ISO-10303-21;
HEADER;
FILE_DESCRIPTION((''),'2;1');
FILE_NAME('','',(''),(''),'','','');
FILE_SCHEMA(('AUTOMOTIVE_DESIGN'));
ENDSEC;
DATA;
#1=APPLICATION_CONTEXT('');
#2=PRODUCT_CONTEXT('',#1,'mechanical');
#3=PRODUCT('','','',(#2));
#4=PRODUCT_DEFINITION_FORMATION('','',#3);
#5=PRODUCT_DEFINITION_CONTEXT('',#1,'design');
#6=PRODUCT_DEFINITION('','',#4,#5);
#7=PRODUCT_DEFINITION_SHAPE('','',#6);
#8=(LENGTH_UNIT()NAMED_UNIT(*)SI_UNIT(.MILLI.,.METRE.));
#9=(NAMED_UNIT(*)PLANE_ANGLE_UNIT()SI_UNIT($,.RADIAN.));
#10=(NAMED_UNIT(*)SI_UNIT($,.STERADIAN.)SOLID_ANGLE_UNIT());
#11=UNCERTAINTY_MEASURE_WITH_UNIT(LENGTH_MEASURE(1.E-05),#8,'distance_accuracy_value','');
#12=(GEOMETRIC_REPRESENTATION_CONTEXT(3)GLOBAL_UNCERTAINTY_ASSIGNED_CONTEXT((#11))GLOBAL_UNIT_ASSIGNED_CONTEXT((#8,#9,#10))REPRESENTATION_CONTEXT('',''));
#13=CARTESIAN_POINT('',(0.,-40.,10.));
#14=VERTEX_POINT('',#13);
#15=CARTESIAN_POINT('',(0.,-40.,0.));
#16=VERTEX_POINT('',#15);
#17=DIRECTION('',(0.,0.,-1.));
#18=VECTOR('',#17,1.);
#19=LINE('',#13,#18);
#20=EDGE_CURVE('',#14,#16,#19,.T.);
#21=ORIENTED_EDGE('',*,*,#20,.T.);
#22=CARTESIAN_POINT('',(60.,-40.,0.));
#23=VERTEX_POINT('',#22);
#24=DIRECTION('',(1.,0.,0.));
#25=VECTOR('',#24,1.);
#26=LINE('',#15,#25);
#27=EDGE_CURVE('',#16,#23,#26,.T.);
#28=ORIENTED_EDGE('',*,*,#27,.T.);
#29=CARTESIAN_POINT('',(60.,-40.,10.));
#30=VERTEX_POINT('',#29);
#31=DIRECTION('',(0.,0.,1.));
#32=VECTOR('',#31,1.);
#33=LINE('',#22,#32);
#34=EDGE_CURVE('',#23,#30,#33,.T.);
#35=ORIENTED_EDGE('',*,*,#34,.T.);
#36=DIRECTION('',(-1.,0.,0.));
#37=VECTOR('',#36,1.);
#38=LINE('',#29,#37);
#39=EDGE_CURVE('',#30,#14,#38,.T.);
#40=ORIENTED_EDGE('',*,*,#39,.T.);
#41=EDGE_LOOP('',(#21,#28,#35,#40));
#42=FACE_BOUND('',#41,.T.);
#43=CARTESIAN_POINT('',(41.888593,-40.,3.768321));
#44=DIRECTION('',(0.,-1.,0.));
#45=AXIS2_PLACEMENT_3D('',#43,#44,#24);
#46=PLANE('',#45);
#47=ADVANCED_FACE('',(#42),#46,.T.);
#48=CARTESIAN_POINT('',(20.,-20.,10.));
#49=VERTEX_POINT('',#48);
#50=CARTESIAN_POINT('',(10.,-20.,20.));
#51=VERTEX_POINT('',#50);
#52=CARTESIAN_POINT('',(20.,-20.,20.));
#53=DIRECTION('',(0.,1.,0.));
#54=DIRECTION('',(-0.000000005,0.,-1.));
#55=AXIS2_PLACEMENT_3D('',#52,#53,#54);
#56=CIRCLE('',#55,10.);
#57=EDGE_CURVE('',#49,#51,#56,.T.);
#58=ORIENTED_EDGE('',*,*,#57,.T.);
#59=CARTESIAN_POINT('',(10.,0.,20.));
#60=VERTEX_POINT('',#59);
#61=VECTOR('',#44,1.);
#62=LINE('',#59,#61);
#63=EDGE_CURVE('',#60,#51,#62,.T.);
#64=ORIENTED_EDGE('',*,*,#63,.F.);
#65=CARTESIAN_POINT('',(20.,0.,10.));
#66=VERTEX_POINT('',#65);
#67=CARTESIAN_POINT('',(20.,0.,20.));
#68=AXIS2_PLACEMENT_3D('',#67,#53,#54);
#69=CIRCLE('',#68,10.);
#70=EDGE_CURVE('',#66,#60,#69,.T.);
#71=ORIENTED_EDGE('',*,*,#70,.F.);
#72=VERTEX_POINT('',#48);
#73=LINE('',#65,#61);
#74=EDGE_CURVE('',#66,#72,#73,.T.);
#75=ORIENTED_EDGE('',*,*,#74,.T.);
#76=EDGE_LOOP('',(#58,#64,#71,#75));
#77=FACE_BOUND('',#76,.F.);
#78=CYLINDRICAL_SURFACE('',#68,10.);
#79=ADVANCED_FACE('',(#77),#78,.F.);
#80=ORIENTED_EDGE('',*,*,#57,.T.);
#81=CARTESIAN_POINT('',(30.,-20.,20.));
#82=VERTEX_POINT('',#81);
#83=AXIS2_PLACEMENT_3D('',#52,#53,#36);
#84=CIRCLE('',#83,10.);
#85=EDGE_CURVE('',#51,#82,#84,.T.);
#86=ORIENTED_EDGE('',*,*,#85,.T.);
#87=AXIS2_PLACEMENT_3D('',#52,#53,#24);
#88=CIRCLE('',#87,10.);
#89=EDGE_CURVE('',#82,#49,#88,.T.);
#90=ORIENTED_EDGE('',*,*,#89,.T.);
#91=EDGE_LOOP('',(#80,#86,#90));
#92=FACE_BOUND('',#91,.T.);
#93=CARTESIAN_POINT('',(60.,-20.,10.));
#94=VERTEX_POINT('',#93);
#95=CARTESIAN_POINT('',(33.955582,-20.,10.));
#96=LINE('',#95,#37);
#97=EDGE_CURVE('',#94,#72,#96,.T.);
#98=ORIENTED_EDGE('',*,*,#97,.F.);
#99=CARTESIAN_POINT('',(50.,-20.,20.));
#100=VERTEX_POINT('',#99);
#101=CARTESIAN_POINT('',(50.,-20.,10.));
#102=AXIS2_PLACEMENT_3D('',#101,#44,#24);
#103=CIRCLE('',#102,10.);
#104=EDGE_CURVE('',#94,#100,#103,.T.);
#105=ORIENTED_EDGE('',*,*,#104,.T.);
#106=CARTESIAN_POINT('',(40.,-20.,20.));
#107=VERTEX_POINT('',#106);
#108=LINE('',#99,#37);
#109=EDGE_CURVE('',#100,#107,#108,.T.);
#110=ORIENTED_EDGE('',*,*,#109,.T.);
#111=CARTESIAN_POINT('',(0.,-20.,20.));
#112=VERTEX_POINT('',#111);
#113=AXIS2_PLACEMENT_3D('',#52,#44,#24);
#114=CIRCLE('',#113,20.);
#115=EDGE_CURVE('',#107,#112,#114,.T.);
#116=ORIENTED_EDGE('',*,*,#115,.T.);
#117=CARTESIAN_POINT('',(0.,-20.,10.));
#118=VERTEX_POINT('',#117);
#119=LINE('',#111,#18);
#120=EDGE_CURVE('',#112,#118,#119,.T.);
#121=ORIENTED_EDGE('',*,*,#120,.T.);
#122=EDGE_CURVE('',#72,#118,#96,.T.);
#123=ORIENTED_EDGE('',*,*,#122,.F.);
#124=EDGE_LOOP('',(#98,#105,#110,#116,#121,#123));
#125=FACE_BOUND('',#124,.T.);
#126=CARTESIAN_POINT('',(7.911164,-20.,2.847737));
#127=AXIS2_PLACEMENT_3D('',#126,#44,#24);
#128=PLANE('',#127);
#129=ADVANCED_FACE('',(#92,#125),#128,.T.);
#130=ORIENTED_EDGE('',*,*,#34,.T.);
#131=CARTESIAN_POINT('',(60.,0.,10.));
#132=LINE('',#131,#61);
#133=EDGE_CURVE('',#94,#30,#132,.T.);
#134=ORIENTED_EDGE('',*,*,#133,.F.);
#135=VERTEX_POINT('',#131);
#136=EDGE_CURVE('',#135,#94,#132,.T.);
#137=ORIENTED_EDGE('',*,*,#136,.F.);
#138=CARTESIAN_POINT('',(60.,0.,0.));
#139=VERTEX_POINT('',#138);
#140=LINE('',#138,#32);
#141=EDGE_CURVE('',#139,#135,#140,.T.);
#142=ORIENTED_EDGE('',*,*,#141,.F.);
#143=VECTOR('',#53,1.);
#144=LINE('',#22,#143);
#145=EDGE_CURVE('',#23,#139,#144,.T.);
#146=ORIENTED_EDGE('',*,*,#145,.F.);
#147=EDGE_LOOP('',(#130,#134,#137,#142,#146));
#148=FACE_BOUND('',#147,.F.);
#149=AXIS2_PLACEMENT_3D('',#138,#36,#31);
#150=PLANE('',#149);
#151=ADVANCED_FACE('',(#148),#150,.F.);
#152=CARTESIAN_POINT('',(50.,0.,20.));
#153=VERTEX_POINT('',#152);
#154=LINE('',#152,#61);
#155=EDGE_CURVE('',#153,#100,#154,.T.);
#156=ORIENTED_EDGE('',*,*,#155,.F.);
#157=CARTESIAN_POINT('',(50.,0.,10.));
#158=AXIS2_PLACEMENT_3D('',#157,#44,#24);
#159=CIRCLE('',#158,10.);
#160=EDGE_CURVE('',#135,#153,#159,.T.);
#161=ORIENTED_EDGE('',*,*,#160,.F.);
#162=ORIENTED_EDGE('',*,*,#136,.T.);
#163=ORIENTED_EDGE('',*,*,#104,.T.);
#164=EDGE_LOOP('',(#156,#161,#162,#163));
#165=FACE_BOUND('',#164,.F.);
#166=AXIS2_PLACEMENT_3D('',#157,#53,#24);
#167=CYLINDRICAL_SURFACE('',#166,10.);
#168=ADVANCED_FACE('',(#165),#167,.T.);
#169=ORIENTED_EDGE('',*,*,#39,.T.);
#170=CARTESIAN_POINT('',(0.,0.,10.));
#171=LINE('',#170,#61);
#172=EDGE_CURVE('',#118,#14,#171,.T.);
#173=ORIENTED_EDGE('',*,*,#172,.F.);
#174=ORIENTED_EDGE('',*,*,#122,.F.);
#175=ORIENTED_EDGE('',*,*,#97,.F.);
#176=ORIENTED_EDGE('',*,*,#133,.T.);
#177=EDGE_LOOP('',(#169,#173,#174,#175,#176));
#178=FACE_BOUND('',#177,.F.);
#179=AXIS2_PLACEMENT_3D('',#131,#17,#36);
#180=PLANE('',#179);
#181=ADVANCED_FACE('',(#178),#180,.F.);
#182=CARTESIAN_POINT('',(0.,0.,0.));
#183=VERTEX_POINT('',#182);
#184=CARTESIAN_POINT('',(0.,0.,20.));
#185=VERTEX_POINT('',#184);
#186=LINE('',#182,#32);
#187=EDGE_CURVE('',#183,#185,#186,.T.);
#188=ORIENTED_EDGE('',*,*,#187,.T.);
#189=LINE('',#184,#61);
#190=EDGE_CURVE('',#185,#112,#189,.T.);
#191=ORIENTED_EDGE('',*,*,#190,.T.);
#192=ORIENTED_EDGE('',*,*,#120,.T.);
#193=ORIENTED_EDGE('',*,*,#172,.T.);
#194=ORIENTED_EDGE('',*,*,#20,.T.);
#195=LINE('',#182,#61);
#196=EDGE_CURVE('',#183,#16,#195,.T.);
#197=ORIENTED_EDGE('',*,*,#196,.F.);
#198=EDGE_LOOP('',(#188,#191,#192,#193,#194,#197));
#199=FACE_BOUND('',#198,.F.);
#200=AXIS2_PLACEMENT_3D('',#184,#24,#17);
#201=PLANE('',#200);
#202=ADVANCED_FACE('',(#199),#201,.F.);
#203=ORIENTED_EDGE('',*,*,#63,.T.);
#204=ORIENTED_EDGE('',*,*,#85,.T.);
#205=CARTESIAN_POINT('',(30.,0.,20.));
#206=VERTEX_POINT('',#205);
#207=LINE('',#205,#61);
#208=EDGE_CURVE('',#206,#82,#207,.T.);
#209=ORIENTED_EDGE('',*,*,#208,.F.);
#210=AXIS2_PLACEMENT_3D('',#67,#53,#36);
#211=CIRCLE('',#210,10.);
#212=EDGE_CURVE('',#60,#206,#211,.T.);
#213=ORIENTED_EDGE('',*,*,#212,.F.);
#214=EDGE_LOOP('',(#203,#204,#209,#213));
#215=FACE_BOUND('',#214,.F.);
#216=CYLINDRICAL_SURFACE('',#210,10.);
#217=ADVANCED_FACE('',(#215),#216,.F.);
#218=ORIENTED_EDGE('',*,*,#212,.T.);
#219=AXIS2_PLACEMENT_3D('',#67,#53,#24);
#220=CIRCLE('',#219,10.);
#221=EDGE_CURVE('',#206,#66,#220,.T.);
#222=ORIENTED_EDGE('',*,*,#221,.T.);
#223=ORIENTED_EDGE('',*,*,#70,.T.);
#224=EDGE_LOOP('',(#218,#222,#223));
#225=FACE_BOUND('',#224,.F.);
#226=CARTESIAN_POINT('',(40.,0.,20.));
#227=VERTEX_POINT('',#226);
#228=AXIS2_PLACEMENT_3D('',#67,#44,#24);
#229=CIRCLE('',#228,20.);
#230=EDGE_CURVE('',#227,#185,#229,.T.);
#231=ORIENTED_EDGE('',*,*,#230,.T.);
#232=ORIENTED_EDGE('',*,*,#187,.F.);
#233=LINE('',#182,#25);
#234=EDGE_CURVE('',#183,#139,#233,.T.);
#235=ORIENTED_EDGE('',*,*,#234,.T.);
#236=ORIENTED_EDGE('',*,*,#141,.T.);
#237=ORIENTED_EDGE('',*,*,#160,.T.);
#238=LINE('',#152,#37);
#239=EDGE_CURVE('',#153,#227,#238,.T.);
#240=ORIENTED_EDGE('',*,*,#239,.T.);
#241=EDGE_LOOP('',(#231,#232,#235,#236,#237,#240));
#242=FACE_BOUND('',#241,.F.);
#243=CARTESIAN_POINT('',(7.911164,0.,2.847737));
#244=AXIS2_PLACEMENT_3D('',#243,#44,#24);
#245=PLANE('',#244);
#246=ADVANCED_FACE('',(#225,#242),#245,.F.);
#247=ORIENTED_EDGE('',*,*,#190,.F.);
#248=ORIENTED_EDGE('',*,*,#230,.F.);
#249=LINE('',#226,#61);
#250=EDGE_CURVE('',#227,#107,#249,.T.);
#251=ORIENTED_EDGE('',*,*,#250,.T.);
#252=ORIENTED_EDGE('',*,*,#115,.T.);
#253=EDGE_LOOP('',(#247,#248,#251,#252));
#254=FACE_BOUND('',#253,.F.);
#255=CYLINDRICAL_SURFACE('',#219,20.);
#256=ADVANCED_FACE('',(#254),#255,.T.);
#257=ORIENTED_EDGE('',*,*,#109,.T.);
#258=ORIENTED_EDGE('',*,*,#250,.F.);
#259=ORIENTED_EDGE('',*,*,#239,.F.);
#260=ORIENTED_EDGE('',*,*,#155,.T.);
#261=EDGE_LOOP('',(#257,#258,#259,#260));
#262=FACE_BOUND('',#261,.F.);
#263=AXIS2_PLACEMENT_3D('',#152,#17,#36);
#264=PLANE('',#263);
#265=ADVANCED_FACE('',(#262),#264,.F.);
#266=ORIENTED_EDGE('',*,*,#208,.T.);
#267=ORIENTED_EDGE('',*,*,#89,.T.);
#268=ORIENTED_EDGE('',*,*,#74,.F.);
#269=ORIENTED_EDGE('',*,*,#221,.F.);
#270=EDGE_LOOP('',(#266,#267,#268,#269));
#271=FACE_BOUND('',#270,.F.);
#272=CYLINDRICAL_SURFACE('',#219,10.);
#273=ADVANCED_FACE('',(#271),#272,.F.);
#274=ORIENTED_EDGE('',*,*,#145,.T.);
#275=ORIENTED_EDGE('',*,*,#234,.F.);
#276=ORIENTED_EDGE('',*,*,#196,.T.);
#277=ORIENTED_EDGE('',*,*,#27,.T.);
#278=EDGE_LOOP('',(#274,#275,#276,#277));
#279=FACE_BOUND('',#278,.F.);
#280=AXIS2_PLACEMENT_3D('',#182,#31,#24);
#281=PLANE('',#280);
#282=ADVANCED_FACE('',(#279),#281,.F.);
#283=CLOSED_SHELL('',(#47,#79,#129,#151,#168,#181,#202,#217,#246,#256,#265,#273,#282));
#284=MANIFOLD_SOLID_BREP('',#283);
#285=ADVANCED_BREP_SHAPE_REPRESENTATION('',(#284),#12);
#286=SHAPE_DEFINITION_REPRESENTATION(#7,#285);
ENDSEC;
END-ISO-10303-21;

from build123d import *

# Parameters (mm, degrees)
F1_DEPTH = 40
F2_DEPTH = 20


with BuildPart() as f1:
    # F0 (on Front) → F1 (new body)
    with BuildSketch(Plane.XZ):
        with BuildLine():
            ThreePointArc((37.3205080757, 10), (30, 2.6794919243), (20, 0))
            Line((20, 0), (60, 0))
            Line((60, 0), (60, 10))
            Line((60, 10), (37.3205080757, 10))
        make_face()
        with BuildLine():
            Line((0, 10), (0, 0))
            Line((0, 0), (20, 0))
            ThreePointArc((20, 0), (10, 2.6794919243), (2.6794919243, 10))
            Line((2.6794919243, 10), (0, 10))
        make_face()
        with BuildLine():
            ThreePointArc((2.6794919243, 10), (10, 2.6794919243), (20, 0))
            ThreePointArc((20, 0), (30, 2.6794919243), (37.3205080757, 10))
            Line((37.3205080757, 10), (19.9999999466, 10))
            Line((19.9999999466, 10), (2.6794919243, 10))
        make_face()
    extrude(amount=F1_DEPTH)

    # F0 (on Front) → F2 (join)
    with BuildSketch(Plane.XZ):
        with BuildLine():
            Line((0, 10), (0, 0))
            Line((0, 0), (20, 0))
            ThreePointArc((20, 0), (10, 2.6794919243), (2.6794919243, 10))
            Line((2.6794919243, 10), (0, 10))
        make_face()
        with BuildLine():
            Line((0, 20), (0, 10))
            Line((0, 10), (2.6794919243, 10))
            ThreePointArc((2.6794919243, 10), (0.6814834742, 14.8236190979), (0, 20))
        make_face()
        with BuildLine():
            ThreePointArc((37.3205080757, 10), (30, 2.6794919243), (20, 0))
            Line((20, 0), (60, 0))
            Line((60, 0), (60, 10))
            Line((60, 10), (37.3205080757, 10))
        make_face()
        with BuildLine():
            ThreePointArc((2.6794919243, 10), (10, 2.6794919243), (20, 0))
            ThreePointArc((20, 0), (30, 2.6794919243), (37.3205080757, 10))
            Line((37.3205080757, 10), (19.9999999466, 10))
            Line((19.9999999466, 10), (2.6794919243, 10))
        make_face()
        with BuildLine():
            ThreePointArc((0, 20), (0.6814834742, 14.8236190979), (2.6794919243, 10))
            Line((2.6794919243, 10), (19.9999999466, 10))
            ThreePointArc((19.9999999466, 10), (12.9289321693, 12.928932207), (10, 20))
            Line((10, 20), (0, 20))
        make_face()
        with BuildLine():
            ThreePointArc((40, 20), (20, 40), (0, 20))
            Line((0, 20), (10, 20))
            ThreePointArc((10, 20), (20, 30), (30, 20))
            Line((30, 20), (40, 20))
        make_face()
        with BuildLine():
            ThreePointArc((40, 20), (39.3185165258, 14.8236190979), (37.3205080757, 10))
            Line((37.3205080757, 10), (60, 10))
            ThreePointArc((60, 10), (57.0710678119, 17.0710678119), (50, 20))
            Line((50, 20), (40, 20))
        make_face()
        with BuildLine():
            Line((19.9999999466, 10), (37.3205080757, 10))
            ThreePointArc((37.3205080757, 10), (39.3185165258, 14.8236190979), (40, 20))
            Line((40, 20), (30, 20))
            ThreePointArc((30, 20), (27.071067793, 12.9289321693), (19.9999999466, 10))
        make_face()
    extrude(amount=F2_DEPTH)


solid = f1.part
